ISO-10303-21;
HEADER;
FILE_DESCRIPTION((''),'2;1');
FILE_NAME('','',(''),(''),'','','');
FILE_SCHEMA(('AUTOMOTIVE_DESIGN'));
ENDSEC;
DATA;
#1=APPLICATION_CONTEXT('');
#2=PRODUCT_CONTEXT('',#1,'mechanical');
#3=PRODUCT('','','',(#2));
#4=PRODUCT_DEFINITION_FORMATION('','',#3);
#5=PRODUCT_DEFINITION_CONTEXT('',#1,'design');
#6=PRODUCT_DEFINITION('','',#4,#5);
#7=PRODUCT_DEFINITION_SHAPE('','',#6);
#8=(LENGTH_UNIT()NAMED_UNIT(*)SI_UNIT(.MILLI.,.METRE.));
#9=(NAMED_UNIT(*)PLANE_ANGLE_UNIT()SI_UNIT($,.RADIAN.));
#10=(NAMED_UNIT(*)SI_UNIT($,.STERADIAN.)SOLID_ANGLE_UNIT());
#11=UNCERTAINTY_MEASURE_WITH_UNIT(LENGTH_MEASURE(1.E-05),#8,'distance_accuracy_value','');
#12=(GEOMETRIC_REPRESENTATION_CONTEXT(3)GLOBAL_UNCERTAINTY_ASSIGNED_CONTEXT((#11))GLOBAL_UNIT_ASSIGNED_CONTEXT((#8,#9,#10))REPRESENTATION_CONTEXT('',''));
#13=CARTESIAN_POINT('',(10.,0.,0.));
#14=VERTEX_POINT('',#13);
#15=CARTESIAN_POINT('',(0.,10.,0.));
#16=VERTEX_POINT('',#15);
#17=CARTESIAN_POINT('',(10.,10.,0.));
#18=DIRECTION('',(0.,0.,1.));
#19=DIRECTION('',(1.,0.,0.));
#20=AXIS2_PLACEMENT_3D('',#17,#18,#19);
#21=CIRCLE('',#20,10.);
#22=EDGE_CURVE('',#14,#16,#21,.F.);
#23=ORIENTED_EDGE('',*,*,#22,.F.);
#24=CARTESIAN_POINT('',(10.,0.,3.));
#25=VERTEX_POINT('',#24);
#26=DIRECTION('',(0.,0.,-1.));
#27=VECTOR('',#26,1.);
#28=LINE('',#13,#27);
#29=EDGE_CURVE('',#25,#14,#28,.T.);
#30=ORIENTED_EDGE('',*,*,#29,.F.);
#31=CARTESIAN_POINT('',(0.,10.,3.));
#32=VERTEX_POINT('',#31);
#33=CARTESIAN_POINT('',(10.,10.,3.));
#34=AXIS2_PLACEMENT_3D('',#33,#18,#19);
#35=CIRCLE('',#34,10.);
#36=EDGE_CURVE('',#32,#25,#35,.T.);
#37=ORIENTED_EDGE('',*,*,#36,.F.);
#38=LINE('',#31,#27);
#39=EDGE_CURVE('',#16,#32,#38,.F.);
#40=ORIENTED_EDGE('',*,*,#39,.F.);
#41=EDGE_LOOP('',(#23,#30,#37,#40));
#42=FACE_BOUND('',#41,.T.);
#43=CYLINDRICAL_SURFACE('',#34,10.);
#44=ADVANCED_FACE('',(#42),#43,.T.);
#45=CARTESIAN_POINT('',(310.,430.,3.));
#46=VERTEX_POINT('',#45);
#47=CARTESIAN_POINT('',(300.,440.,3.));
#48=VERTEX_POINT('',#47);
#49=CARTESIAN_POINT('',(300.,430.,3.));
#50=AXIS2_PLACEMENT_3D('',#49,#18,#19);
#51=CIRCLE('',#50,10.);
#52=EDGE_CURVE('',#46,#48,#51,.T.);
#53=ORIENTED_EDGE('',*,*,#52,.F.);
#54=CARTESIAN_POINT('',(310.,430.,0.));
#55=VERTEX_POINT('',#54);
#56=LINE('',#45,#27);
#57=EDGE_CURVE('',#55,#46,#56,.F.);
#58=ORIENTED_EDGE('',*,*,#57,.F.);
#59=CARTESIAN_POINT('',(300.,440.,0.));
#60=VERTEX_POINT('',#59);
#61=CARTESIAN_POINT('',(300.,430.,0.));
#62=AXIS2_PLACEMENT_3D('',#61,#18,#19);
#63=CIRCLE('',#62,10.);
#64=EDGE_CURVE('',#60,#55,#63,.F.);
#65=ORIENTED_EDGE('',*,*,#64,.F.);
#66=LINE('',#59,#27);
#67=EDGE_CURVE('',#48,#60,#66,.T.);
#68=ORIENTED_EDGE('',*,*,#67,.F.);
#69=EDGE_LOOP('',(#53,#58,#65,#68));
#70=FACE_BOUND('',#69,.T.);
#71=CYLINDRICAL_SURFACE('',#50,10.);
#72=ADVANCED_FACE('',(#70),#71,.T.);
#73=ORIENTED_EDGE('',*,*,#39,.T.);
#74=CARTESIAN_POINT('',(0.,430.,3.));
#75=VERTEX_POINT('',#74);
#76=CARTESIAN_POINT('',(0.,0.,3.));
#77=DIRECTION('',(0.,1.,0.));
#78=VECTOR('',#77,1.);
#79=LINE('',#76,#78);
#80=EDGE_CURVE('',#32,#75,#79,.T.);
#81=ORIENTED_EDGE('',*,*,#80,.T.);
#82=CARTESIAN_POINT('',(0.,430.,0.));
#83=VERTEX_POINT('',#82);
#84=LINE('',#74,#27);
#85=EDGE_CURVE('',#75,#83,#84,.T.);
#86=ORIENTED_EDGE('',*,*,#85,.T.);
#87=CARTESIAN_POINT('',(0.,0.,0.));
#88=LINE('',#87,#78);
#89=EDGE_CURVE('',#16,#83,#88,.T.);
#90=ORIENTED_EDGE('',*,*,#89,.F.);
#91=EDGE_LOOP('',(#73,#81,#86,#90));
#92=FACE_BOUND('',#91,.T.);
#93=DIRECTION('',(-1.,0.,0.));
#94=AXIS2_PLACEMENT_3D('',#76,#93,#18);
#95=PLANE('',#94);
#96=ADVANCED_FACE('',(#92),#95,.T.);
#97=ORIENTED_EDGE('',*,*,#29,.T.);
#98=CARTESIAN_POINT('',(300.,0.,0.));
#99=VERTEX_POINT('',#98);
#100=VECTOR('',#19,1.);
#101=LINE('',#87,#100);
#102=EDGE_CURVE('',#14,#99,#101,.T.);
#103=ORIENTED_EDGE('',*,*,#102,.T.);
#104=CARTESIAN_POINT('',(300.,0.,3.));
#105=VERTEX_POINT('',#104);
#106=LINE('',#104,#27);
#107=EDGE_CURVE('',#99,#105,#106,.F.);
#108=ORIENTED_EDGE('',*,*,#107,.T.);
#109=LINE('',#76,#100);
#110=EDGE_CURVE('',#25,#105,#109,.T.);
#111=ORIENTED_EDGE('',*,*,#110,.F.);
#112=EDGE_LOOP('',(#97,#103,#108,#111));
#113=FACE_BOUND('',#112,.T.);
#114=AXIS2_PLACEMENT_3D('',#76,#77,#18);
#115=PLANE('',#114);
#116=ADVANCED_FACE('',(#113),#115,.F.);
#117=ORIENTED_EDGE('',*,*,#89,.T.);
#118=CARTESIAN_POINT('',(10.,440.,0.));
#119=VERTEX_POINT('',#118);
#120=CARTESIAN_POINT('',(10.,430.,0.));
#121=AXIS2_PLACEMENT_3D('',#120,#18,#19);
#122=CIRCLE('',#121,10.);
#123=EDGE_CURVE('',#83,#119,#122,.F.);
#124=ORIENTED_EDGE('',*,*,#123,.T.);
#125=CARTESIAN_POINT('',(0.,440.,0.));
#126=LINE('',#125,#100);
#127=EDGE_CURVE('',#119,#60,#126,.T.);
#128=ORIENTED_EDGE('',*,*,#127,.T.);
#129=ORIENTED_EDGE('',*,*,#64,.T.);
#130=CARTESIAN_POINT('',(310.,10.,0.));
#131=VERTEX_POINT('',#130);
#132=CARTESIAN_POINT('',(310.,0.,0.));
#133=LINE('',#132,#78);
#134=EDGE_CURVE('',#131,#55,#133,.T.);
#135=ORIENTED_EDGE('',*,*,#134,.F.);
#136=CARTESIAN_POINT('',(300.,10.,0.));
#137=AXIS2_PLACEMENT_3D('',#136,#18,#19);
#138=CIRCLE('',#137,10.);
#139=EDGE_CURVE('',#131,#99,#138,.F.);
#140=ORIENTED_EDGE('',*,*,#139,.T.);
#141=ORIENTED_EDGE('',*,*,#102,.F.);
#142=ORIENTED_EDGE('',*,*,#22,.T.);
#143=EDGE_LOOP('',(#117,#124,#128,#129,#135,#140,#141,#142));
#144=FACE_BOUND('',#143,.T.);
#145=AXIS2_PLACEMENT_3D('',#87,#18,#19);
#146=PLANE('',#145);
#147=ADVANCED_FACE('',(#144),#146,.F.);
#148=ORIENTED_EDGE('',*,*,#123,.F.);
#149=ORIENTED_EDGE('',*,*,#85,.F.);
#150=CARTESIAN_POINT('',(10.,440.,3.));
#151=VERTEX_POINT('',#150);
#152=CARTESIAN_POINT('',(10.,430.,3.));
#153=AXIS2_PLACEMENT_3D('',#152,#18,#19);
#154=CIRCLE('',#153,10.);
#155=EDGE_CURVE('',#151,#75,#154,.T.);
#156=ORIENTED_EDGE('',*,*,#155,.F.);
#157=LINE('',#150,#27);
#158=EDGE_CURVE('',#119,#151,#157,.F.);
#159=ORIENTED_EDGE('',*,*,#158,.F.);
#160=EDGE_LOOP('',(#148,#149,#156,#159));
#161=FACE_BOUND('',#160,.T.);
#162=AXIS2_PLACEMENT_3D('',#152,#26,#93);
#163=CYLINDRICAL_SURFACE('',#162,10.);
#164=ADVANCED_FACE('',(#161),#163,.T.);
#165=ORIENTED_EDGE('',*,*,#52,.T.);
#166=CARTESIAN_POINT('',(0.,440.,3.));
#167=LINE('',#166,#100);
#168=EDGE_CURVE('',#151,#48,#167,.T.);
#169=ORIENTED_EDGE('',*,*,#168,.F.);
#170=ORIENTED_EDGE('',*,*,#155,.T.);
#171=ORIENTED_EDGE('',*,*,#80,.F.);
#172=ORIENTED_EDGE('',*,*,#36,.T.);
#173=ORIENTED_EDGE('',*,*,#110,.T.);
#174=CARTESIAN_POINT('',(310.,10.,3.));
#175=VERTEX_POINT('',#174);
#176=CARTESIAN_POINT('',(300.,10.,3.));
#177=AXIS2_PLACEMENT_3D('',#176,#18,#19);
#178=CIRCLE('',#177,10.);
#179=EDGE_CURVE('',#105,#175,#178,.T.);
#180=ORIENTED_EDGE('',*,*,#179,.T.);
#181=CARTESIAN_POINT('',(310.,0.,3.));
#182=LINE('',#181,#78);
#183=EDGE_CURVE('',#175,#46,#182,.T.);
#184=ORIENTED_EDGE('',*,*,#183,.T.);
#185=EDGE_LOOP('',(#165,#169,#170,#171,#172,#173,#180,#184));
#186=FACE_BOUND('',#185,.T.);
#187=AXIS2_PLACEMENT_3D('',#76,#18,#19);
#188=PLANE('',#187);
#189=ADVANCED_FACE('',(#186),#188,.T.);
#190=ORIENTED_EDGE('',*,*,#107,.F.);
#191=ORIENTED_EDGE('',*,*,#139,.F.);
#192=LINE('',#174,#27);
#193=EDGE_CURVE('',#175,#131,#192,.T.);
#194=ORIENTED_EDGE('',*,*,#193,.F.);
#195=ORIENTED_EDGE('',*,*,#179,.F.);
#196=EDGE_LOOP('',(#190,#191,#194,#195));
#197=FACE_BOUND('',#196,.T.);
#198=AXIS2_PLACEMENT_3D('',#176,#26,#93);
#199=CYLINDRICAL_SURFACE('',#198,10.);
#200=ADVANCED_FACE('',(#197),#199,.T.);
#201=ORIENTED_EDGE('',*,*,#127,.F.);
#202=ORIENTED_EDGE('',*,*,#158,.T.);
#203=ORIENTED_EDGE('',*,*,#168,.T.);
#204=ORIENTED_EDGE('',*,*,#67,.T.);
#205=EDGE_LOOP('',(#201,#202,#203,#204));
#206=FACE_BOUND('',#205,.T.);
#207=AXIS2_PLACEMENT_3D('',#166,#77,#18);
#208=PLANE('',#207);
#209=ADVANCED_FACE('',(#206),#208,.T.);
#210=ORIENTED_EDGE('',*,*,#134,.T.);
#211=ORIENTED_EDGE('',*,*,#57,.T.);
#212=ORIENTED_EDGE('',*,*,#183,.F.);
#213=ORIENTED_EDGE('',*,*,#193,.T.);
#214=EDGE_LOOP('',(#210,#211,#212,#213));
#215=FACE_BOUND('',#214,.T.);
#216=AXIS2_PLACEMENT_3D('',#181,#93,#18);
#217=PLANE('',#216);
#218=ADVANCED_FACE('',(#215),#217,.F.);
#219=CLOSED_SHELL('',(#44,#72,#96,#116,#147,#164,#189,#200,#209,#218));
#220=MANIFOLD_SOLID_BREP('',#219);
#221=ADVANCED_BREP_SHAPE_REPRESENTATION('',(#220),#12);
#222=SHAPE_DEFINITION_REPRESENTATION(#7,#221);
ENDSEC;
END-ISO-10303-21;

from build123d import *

# Parameters (mm, degrees)
SKETCH1_W           = 310
SKETCH1_H           = 440
BOSS_EXTRUDE1_DEPTH = 3
FILLET1_R           = 10


with BuildPart() as part:
    # Sketch1 → Boss-Extrude1 (new body)
    with BuildSketch(Plane.XY):
        with Locations((155, 220)):
            Rectangle(SKETCH1_W, SKETCH1_H)
    extrude(amount=BOSS_EXTRUDE1_DEPTH)

    # Fillet1
    fillet1_edges = [part.edges().sort_by_distance(p)[0] for p in [
        (0, 440, 1.5),
        (0, 0, 1.5),
        (310, 0, 1.5),
        (310, 440, 1.5),
    ]]
    fillet(fillet1_edges, radius=FILLET1_R)


solid = part.part
